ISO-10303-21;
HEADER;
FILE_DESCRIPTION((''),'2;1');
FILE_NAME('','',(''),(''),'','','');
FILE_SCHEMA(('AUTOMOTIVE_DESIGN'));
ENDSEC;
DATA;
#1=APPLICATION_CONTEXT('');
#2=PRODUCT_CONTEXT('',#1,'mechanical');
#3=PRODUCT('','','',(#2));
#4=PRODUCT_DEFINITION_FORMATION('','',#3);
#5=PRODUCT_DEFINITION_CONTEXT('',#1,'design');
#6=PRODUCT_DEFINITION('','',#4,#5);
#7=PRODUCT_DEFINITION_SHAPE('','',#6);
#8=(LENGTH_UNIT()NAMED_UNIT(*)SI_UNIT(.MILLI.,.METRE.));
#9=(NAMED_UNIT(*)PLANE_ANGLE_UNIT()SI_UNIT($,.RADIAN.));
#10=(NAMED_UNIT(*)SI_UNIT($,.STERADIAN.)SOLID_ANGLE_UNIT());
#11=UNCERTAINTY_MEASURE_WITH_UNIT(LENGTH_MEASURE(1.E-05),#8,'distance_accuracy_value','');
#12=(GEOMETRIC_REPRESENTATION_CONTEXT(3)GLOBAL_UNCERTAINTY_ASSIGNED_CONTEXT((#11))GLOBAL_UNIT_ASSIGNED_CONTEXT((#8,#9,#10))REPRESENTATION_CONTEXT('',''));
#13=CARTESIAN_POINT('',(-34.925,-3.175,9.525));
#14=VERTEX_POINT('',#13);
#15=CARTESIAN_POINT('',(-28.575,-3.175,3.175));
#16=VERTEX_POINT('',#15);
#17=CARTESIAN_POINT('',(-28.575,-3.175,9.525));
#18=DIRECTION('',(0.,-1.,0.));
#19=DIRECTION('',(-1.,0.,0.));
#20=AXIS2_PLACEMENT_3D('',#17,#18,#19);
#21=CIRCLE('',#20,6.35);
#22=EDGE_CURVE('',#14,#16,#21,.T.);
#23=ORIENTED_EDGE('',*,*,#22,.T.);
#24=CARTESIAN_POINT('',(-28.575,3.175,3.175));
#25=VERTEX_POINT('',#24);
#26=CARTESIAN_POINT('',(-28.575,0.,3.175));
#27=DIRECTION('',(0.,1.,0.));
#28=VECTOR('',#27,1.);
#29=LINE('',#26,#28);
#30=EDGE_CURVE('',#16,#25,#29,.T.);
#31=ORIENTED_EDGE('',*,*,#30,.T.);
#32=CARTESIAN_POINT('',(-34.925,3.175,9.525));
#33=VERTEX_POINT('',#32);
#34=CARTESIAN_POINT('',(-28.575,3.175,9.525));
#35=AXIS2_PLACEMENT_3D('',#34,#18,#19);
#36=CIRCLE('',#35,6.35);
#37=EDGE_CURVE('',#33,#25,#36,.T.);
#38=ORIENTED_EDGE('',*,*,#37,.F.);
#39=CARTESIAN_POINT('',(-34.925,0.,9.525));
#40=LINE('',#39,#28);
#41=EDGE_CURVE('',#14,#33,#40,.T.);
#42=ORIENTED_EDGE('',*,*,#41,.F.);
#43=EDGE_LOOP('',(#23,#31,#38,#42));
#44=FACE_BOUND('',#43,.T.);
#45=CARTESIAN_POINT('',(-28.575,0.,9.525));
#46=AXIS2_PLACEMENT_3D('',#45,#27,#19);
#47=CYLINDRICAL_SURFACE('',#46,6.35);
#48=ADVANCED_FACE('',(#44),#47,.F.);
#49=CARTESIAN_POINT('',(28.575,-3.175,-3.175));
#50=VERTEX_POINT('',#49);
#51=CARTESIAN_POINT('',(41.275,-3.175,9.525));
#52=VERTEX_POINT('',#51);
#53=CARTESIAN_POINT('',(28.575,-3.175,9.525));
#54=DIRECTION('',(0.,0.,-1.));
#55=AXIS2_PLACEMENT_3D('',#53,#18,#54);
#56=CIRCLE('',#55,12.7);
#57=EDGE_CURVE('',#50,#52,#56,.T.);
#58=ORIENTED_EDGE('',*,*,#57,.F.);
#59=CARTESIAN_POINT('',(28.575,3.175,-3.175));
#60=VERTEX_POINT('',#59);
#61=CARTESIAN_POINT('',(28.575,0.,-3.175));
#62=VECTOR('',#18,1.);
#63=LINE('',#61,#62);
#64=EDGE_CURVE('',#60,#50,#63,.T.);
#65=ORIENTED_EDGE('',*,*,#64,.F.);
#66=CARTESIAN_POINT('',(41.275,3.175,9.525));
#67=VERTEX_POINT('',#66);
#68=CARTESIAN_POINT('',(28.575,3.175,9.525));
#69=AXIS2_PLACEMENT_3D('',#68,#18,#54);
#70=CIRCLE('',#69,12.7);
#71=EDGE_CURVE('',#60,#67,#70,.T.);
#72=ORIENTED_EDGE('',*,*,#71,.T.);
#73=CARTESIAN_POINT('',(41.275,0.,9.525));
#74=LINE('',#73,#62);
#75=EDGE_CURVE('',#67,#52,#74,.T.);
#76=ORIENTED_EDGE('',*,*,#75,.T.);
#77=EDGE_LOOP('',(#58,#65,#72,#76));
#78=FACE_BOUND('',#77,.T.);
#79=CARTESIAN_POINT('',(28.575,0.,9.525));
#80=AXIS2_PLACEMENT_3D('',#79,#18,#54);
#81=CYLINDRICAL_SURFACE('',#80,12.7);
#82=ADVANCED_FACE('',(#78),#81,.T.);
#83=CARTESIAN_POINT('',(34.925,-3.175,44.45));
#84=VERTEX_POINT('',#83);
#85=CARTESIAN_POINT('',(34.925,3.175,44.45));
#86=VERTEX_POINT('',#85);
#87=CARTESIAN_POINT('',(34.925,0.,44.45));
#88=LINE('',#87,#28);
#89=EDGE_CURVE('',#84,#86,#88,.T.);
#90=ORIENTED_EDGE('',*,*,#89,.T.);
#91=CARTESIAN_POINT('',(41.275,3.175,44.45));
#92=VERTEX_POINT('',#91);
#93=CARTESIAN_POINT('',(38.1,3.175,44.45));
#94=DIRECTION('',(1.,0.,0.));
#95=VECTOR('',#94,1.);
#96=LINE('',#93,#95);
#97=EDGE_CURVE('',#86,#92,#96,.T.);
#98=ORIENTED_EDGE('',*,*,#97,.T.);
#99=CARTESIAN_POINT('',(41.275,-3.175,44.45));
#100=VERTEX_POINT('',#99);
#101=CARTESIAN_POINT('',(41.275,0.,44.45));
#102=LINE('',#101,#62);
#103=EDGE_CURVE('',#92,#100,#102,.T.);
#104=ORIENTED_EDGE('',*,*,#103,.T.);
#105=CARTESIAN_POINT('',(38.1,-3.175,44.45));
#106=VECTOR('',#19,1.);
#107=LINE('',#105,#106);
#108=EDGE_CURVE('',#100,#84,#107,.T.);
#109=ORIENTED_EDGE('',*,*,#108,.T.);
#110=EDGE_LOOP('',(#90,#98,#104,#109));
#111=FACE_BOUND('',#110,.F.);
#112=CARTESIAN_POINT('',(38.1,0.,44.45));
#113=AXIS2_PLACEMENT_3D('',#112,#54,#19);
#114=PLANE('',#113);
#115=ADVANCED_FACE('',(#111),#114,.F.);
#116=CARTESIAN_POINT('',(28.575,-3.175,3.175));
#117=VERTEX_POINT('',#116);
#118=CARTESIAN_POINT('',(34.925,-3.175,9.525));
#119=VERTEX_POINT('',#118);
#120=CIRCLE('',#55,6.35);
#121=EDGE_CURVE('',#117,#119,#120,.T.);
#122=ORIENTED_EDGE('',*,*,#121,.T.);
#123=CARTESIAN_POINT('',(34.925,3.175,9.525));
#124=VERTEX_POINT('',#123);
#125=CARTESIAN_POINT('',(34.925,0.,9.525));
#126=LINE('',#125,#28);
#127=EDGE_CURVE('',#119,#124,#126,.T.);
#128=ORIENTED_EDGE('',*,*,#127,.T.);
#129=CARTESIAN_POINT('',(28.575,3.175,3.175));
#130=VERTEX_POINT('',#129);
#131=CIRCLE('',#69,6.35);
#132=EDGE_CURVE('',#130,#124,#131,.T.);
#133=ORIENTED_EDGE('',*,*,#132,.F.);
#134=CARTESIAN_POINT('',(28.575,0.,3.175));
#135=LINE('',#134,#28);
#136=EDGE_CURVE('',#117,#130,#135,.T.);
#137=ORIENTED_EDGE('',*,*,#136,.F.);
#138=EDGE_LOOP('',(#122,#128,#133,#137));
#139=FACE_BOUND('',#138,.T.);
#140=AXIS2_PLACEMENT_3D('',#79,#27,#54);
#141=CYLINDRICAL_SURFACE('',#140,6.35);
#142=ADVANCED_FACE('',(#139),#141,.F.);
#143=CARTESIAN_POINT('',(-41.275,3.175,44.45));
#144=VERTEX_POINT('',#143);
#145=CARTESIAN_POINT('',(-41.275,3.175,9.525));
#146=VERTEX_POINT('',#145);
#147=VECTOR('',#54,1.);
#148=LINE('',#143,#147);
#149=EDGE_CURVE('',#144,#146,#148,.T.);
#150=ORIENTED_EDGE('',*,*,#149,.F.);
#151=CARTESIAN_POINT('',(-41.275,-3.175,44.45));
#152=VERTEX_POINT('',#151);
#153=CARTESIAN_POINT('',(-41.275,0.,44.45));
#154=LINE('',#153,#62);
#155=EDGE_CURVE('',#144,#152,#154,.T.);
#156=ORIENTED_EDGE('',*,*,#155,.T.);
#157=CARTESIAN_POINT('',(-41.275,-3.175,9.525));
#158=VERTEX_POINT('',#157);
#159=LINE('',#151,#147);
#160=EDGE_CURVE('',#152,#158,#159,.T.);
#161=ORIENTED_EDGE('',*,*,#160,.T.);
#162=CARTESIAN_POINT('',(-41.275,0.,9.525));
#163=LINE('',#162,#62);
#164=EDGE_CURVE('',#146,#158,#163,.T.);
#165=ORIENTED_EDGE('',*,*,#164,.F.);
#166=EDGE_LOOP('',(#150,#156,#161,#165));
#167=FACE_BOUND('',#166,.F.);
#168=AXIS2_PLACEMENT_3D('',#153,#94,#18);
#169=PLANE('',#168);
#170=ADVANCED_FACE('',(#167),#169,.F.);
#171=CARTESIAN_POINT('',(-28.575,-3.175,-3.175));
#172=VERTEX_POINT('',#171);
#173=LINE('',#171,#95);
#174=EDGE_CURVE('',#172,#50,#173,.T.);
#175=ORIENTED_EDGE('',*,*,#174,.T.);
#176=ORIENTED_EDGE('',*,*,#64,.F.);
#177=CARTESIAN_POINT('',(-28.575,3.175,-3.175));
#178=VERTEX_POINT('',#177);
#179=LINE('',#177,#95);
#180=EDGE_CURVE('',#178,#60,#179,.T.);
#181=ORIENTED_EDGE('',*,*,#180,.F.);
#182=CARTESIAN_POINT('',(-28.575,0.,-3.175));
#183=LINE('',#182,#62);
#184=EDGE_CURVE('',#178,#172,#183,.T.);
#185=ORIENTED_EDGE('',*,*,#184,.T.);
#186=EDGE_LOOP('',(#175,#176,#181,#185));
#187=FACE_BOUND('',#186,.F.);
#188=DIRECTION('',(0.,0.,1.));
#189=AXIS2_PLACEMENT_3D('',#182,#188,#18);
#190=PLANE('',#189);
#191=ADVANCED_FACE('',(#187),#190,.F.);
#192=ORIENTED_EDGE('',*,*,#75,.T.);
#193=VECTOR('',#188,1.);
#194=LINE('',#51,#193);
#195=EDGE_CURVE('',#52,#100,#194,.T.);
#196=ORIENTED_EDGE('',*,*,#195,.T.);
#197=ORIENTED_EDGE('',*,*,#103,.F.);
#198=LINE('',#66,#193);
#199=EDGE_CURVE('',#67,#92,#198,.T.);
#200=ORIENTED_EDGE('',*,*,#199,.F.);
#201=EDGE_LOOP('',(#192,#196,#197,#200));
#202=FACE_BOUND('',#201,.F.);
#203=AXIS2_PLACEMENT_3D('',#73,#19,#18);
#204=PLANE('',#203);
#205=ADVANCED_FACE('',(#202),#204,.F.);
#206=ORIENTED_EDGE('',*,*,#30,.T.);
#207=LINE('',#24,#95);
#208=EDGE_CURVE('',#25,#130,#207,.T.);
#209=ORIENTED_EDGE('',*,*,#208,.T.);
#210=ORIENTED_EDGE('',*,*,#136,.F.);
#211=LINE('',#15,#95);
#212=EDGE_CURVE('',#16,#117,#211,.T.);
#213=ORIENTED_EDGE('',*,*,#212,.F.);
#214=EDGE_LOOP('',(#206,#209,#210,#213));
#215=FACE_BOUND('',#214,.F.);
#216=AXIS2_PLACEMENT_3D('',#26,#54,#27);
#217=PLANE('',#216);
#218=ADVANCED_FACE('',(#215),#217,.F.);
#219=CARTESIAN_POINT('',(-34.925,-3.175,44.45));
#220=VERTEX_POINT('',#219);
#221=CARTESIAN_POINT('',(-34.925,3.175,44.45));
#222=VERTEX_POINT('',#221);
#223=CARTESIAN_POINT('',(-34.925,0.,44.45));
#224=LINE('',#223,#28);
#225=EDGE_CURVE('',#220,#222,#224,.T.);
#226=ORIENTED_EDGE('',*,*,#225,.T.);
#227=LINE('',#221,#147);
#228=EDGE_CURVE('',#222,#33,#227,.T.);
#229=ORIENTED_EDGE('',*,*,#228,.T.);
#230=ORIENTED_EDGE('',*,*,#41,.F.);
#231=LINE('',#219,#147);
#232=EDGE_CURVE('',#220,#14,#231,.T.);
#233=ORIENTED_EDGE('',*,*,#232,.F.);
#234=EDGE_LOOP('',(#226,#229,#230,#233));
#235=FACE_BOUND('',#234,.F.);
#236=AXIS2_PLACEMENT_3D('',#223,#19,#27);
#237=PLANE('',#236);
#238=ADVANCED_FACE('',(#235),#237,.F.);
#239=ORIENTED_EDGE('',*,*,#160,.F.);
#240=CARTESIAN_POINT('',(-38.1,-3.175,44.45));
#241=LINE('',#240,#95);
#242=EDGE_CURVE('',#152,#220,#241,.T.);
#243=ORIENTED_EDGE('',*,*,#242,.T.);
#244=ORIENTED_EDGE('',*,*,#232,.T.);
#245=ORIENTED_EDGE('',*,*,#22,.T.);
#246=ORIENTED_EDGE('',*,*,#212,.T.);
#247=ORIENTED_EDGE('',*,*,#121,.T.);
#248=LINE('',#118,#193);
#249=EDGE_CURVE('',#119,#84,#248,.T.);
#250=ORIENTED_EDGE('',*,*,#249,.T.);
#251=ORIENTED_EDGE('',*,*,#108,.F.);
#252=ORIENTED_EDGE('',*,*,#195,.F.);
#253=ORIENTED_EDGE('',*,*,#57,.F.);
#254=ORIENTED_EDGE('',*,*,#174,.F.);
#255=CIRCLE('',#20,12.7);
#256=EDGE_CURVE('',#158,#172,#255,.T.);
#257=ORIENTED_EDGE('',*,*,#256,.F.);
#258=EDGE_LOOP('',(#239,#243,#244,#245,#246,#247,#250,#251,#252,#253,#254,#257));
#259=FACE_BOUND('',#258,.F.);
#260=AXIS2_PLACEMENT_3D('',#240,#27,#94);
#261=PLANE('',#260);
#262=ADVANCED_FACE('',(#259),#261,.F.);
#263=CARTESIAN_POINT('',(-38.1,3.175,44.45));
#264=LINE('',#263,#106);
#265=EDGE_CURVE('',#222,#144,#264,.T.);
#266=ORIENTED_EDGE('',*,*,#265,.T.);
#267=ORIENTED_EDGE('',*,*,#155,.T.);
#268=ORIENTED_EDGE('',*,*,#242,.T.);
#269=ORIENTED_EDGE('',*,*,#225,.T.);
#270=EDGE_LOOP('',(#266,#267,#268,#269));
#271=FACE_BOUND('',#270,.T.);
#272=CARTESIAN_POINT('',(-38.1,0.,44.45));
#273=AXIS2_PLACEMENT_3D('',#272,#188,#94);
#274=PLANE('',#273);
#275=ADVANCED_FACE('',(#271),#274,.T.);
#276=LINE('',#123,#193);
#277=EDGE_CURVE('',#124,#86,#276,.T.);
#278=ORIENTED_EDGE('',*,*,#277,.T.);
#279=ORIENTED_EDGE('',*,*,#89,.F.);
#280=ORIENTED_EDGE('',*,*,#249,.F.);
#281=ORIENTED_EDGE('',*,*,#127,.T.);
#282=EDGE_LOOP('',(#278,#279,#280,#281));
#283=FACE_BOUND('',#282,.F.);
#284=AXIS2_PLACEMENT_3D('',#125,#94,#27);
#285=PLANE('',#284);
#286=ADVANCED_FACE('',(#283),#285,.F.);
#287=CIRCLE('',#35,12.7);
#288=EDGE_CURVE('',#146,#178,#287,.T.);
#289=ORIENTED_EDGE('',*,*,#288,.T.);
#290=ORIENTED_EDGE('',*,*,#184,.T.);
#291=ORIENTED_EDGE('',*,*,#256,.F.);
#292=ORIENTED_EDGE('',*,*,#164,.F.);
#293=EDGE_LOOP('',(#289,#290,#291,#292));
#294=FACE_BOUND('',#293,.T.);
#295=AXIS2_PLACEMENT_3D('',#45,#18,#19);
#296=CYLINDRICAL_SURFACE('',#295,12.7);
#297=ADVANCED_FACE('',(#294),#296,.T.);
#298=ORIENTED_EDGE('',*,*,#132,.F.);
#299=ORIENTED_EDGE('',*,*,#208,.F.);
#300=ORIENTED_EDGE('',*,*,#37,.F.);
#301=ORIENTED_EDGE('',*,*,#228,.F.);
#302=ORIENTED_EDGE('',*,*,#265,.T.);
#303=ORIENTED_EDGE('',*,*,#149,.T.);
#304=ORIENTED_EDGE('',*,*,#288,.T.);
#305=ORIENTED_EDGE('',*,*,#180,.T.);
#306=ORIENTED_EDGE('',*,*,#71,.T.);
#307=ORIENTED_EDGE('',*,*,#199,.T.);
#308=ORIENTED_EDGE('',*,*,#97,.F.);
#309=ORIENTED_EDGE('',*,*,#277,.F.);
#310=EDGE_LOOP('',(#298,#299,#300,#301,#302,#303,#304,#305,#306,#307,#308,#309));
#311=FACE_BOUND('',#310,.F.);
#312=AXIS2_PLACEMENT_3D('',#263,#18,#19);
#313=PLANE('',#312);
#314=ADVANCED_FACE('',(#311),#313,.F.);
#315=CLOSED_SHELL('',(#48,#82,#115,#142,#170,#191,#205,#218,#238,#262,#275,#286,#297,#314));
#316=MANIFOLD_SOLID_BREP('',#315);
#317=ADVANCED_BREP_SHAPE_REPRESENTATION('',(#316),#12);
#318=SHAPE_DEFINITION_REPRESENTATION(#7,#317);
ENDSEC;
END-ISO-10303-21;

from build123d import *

# Parameters (mm, degrees)
F2_W = 6.35
F2_H = 6.35


with BuildPart() as f3:
    # F3: sweep along a path in F0
    with BuildLine(Plane.XZ) as f3_path:
        Line((-38.1, 44.45), (-38.1, 9.525))
        ThreePointArc((-38.1, 9.525), (-35.3101920908, 2.7898079092), (-28.575, 0))
        Line((-28.575, 0), (0, 0))
        Line((0, 0), (28.575, 0))
        ThreePointArc((28.575, 0), (35.3101920908, 2.7898079092), (38.1, 9.525))
        Line((38.1, 9.525), (38.1, 44.45))
    # F2 (on offset) → F3 (sweep)
    with BuildSketch(Plane.XY.offset(44.45)):
        with Locations((-38.1, 0)):
            Rectangle(F2_W, F2_H)
    sweep(path=f3_path.line)


solid = f3.part
